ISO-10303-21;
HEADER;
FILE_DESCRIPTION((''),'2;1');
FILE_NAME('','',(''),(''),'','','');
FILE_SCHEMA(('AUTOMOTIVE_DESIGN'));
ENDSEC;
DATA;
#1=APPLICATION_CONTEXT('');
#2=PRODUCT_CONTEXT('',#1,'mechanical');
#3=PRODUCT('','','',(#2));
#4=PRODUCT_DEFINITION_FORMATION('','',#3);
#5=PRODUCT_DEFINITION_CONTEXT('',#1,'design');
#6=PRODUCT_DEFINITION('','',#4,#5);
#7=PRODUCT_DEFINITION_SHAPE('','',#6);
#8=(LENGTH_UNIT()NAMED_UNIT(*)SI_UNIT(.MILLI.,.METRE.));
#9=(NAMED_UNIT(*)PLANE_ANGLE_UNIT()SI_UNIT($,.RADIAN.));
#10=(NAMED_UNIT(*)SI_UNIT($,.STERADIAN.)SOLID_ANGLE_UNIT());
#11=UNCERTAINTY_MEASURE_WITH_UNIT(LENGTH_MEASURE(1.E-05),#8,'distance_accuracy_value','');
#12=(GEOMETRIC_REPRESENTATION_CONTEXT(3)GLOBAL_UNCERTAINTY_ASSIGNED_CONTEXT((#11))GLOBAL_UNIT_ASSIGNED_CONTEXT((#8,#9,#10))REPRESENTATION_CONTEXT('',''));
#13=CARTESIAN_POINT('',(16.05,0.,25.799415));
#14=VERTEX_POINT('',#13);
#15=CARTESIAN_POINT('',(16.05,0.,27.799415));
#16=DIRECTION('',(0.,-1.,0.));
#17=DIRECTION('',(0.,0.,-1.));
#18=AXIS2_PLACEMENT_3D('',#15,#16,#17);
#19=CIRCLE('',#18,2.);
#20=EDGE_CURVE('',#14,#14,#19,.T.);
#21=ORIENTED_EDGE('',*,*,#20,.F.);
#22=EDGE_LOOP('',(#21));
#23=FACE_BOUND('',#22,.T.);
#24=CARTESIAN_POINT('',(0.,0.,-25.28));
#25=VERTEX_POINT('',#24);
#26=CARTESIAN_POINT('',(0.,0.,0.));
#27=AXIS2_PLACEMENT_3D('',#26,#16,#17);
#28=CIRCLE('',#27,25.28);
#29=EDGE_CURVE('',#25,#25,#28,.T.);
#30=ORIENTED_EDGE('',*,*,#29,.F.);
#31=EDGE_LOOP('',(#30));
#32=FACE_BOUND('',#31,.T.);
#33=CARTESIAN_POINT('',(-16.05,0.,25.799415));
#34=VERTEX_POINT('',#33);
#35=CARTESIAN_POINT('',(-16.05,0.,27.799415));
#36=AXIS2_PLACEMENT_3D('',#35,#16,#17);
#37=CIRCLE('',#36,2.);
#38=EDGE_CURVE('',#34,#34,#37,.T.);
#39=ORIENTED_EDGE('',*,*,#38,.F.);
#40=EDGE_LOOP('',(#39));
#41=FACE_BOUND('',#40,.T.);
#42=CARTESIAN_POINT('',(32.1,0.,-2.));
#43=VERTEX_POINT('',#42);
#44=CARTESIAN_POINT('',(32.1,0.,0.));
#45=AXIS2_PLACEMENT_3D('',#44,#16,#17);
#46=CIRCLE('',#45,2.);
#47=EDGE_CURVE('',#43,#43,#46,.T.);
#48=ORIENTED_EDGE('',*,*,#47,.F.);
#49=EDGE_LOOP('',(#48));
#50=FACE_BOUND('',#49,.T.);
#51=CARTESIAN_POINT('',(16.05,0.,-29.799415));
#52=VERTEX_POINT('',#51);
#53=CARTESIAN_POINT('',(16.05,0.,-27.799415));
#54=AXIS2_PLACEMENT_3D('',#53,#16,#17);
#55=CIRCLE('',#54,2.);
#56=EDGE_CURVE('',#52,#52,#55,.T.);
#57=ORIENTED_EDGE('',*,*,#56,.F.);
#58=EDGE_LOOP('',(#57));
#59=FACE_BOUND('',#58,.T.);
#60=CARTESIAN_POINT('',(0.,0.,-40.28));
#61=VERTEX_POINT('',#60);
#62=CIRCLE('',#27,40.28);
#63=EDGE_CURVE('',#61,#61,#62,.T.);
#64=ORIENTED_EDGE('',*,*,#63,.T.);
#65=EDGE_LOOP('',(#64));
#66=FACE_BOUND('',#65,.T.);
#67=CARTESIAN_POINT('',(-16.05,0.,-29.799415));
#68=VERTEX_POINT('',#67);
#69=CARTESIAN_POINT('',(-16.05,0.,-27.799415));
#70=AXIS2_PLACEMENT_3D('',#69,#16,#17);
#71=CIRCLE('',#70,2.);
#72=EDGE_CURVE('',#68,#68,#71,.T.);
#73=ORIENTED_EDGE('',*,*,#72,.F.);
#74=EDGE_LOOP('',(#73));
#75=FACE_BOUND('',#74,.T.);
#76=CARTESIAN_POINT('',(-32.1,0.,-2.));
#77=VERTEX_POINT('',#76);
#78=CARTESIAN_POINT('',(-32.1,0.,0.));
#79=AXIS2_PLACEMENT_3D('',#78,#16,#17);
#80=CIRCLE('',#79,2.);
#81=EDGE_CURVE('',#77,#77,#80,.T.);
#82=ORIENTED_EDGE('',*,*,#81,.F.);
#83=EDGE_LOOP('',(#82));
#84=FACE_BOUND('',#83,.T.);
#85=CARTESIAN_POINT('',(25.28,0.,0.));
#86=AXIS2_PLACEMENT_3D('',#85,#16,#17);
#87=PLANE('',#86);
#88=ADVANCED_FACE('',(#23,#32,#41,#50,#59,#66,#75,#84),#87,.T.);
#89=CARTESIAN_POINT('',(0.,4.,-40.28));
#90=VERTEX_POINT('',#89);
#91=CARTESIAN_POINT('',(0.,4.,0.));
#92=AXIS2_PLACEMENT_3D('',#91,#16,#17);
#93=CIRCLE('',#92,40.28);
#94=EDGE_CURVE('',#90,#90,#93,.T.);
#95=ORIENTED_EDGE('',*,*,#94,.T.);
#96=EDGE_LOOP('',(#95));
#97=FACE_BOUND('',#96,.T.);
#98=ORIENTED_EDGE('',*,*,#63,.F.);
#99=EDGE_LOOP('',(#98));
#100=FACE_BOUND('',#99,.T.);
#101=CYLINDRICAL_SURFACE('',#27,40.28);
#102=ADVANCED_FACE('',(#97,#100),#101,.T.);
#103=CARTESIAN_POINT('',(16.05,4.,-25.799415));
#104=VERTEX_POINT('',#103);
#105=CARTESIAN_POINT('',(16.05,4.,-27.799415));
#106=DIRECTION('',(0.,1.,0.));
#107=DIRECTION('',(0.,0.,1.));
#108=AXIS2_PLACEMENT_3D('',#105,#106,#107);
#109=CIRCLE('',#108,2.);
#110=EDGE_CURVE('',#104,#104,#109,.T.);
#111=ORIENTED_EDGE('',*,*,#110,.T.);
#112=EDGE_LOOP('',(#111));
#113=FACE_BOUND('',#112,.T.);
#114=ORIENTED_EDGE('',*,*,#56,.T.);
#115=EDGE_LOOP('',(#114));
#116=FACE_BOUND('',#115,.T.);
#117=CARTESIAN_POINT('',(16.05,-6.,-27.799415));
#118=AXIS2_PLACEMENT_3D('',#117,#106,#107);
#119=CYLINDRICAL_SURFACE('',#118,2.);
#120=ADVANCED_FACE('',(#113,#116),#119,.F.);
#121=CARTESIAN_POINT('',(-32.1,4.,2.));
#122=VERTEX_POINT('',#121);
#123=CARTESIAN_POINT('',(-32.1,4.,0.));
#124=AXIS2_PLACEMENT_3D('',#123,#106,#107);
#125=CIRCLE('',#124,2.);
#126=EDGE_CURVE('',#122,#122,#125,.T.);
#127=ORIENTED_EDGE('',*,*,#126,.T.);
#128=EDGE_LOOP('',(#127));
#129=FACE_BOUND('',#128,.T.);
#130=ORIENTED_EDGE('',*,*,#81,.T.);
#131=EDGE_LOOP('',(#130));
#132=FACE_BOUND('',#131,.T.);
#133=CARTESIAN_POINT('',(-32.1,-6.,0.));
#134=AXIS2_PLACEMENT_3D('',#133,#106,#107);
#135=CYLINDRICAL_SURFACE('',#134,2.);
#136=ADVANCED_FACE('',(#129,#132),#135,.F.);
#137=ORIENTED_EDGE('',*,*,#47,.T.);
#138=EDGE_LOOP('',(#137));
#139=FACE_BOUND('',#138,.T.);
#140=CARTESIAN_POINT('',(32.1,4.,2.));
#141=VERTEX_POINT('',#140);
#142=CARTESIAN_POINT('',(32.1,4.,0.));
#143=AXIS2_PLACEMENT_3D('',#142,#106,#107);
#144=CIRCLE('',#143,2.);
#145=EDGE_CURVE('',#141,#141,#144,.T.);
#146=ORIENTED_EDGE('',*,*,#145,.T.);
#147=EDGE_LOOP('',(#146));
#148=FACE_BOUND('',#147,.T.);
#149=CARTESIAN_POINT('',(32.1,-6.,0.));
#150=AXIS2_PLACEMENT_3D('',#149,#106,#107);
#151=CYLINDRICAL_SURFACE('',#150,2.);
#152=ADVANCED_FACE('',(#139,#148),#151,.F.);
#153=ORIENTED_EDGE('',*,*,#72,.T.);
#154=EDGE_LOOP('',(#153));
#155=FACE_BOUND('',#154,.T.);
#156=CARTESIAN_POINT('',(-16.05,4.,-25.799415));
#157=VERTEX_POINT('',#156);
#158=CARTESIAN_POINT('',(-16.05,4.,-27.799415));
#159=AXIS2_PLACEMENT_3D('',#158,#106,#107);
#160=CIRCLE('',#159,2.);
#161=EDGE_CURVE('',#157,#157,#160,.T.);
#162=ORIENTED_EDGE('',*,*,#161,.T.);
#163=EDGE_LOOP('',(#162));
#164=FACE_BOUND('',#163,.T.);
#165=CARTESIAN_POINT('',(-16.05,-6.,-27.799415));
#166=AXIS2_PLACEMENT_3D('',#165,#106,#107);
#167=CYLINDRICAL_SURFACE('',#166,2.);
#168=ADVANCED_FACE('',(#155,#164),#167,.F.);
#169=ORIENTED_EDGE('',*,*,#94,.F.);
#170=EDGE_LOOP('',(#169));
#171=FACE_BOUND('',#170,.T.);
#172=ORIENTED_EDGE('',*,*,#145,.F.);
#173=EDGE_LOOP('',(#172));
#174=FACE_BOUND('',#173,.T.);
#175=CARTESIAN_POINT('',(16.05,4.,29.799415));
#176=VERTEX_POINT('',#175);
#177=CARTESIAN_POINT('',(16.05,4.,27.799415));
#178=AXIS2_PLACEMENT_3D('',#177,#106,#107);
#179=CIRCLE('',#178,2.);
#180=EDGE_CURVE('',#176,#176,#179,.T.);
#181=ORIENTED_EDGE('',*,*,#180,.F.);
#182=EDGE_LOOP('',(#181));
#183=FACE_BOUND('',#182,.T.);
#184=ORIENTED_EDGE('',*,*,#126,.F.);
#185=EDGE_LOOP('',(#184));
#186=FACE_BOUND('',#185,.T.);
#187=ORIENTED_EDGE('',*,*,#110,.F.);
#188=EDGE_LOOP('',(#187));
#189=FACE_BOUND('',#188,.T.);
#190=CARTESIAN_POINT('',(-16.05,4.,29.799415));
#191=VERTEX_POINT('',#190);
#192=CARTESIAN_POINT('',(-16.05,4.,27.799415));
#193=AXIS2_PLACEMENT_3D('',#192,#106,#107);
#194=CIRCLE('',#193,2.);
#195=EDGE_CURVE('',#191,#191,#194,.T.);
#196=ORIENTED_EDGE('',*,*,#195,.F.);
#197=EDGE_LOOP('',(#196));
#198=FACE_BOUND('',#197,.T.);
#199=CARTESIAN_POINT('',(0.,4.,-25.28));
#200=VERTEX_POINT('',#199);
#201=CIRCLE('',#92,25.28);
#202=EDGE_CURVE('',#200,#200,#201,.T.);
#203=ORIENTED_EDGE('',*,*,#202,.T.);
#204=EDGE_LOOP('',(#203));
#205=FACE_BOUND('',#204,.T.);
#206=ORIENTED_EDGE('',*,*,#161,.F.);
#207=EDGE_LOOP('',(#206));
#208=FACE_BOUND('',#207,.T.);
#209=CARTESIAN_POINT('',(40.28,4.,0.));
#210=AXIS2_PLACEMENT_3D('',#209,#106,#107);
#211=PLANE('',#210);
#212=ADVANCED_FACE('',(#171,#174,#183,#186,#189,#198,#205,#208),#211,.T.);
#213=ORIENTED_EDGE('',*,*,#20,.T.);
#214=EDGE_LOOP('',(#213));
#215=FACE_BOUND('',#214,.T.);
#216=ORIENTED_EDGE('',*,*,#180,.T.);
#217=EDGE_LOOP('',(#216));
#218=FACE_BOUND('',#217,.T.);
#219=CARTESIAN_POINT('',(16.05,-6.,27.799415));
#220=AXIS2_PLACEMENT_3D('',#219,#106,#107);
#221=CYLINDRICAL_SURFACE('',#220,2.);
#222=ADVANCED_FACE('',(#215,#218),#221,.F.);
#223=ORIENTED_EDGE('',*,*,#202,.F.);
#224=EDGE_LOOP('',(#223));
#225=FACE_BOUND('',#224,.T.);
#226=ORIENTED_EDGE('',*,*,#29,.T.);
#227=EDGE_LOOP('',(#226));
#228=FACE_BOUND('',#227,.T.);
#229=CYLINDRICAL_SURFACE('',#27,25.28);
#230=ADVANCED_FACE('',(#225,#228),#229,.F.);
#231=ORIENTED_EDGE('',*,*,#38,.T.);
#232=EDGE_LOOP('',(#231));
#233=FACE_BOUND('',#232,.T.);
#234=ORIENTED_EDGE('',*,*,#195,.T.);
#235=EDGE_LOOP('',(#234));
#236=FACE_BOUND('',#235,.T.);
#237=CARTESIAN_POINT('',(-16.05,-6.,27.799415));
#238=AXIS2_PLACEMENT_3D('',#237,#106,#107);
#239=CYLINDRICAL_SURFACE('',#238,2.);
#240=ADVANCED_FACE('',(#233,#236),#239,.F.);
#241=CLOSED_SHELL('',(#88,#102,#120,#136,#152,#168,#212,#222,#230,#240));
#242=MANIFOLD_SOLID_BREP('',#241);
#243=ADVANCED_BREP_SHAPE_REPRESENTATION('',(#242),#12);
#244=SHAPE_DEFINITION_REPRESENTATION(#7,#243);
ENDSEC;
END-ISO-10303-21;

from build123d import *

# Parameters (mm, degrees)
SKETCH_1_W          = 15
SKETCH_1_H          = 4
SKETCH_2_R          = 2
CUT_EXTRUDE_1_DEPTH = 10


with BuildPart() as part:
    # 草图1 → 旋转1 (revolve)
    with BuildSketch(Plane.XY, mode=Mode.PRIVATE) as revolve_1_sk:
        with Locations((32.78, 2)):
            Rectangle(SKETCH_1_W, SKETCH_1_H)
    revolve(revolve_1_sk.sketch.rotate(Axis((0, 0, 0), (0, 1, 0)), 90), axis=Axis((0, 0, 0), (0, 1, 0)))

    # 草图2 → 切除-拉伸1 (cut)
    with BuildSketch(Plane(origin=(0, 4, 0), x_dir=(1, 0, 0), z_dir=(0, 1, 0))):
        with Locations(Location((-32.1, 0, 0), (0, 0, 270))):
            Circle(SKETCH_2_R)
        with Locations(Location((-16.05, 27.799415461, 0), (0, 0, 270))):
            Circle(SKETCH_2_R)
        with Locations(Location((16.05, 27.799415461, 0), (0, 0, 270))):
            Circle(SKETCH_2_R)
        with Locations(Location((32.1, 0, 0), (0, 0, 270))):
            Circle(SKETCH_2_R)
        with Locations(Location((16.05, -27.799415461, 0), (0, 0, 270))):
            Circle(SKETCH_2_R)
        with Locations(Location((-16.05, -27.799415461, 0), (0, 0, 270))):
            Circle(SKETCH_2_R)
    extrude(amount=-CUT_EXTRUDE_1_DEPTH, mode=Mode.SUBTRACT)


solid = part.part
